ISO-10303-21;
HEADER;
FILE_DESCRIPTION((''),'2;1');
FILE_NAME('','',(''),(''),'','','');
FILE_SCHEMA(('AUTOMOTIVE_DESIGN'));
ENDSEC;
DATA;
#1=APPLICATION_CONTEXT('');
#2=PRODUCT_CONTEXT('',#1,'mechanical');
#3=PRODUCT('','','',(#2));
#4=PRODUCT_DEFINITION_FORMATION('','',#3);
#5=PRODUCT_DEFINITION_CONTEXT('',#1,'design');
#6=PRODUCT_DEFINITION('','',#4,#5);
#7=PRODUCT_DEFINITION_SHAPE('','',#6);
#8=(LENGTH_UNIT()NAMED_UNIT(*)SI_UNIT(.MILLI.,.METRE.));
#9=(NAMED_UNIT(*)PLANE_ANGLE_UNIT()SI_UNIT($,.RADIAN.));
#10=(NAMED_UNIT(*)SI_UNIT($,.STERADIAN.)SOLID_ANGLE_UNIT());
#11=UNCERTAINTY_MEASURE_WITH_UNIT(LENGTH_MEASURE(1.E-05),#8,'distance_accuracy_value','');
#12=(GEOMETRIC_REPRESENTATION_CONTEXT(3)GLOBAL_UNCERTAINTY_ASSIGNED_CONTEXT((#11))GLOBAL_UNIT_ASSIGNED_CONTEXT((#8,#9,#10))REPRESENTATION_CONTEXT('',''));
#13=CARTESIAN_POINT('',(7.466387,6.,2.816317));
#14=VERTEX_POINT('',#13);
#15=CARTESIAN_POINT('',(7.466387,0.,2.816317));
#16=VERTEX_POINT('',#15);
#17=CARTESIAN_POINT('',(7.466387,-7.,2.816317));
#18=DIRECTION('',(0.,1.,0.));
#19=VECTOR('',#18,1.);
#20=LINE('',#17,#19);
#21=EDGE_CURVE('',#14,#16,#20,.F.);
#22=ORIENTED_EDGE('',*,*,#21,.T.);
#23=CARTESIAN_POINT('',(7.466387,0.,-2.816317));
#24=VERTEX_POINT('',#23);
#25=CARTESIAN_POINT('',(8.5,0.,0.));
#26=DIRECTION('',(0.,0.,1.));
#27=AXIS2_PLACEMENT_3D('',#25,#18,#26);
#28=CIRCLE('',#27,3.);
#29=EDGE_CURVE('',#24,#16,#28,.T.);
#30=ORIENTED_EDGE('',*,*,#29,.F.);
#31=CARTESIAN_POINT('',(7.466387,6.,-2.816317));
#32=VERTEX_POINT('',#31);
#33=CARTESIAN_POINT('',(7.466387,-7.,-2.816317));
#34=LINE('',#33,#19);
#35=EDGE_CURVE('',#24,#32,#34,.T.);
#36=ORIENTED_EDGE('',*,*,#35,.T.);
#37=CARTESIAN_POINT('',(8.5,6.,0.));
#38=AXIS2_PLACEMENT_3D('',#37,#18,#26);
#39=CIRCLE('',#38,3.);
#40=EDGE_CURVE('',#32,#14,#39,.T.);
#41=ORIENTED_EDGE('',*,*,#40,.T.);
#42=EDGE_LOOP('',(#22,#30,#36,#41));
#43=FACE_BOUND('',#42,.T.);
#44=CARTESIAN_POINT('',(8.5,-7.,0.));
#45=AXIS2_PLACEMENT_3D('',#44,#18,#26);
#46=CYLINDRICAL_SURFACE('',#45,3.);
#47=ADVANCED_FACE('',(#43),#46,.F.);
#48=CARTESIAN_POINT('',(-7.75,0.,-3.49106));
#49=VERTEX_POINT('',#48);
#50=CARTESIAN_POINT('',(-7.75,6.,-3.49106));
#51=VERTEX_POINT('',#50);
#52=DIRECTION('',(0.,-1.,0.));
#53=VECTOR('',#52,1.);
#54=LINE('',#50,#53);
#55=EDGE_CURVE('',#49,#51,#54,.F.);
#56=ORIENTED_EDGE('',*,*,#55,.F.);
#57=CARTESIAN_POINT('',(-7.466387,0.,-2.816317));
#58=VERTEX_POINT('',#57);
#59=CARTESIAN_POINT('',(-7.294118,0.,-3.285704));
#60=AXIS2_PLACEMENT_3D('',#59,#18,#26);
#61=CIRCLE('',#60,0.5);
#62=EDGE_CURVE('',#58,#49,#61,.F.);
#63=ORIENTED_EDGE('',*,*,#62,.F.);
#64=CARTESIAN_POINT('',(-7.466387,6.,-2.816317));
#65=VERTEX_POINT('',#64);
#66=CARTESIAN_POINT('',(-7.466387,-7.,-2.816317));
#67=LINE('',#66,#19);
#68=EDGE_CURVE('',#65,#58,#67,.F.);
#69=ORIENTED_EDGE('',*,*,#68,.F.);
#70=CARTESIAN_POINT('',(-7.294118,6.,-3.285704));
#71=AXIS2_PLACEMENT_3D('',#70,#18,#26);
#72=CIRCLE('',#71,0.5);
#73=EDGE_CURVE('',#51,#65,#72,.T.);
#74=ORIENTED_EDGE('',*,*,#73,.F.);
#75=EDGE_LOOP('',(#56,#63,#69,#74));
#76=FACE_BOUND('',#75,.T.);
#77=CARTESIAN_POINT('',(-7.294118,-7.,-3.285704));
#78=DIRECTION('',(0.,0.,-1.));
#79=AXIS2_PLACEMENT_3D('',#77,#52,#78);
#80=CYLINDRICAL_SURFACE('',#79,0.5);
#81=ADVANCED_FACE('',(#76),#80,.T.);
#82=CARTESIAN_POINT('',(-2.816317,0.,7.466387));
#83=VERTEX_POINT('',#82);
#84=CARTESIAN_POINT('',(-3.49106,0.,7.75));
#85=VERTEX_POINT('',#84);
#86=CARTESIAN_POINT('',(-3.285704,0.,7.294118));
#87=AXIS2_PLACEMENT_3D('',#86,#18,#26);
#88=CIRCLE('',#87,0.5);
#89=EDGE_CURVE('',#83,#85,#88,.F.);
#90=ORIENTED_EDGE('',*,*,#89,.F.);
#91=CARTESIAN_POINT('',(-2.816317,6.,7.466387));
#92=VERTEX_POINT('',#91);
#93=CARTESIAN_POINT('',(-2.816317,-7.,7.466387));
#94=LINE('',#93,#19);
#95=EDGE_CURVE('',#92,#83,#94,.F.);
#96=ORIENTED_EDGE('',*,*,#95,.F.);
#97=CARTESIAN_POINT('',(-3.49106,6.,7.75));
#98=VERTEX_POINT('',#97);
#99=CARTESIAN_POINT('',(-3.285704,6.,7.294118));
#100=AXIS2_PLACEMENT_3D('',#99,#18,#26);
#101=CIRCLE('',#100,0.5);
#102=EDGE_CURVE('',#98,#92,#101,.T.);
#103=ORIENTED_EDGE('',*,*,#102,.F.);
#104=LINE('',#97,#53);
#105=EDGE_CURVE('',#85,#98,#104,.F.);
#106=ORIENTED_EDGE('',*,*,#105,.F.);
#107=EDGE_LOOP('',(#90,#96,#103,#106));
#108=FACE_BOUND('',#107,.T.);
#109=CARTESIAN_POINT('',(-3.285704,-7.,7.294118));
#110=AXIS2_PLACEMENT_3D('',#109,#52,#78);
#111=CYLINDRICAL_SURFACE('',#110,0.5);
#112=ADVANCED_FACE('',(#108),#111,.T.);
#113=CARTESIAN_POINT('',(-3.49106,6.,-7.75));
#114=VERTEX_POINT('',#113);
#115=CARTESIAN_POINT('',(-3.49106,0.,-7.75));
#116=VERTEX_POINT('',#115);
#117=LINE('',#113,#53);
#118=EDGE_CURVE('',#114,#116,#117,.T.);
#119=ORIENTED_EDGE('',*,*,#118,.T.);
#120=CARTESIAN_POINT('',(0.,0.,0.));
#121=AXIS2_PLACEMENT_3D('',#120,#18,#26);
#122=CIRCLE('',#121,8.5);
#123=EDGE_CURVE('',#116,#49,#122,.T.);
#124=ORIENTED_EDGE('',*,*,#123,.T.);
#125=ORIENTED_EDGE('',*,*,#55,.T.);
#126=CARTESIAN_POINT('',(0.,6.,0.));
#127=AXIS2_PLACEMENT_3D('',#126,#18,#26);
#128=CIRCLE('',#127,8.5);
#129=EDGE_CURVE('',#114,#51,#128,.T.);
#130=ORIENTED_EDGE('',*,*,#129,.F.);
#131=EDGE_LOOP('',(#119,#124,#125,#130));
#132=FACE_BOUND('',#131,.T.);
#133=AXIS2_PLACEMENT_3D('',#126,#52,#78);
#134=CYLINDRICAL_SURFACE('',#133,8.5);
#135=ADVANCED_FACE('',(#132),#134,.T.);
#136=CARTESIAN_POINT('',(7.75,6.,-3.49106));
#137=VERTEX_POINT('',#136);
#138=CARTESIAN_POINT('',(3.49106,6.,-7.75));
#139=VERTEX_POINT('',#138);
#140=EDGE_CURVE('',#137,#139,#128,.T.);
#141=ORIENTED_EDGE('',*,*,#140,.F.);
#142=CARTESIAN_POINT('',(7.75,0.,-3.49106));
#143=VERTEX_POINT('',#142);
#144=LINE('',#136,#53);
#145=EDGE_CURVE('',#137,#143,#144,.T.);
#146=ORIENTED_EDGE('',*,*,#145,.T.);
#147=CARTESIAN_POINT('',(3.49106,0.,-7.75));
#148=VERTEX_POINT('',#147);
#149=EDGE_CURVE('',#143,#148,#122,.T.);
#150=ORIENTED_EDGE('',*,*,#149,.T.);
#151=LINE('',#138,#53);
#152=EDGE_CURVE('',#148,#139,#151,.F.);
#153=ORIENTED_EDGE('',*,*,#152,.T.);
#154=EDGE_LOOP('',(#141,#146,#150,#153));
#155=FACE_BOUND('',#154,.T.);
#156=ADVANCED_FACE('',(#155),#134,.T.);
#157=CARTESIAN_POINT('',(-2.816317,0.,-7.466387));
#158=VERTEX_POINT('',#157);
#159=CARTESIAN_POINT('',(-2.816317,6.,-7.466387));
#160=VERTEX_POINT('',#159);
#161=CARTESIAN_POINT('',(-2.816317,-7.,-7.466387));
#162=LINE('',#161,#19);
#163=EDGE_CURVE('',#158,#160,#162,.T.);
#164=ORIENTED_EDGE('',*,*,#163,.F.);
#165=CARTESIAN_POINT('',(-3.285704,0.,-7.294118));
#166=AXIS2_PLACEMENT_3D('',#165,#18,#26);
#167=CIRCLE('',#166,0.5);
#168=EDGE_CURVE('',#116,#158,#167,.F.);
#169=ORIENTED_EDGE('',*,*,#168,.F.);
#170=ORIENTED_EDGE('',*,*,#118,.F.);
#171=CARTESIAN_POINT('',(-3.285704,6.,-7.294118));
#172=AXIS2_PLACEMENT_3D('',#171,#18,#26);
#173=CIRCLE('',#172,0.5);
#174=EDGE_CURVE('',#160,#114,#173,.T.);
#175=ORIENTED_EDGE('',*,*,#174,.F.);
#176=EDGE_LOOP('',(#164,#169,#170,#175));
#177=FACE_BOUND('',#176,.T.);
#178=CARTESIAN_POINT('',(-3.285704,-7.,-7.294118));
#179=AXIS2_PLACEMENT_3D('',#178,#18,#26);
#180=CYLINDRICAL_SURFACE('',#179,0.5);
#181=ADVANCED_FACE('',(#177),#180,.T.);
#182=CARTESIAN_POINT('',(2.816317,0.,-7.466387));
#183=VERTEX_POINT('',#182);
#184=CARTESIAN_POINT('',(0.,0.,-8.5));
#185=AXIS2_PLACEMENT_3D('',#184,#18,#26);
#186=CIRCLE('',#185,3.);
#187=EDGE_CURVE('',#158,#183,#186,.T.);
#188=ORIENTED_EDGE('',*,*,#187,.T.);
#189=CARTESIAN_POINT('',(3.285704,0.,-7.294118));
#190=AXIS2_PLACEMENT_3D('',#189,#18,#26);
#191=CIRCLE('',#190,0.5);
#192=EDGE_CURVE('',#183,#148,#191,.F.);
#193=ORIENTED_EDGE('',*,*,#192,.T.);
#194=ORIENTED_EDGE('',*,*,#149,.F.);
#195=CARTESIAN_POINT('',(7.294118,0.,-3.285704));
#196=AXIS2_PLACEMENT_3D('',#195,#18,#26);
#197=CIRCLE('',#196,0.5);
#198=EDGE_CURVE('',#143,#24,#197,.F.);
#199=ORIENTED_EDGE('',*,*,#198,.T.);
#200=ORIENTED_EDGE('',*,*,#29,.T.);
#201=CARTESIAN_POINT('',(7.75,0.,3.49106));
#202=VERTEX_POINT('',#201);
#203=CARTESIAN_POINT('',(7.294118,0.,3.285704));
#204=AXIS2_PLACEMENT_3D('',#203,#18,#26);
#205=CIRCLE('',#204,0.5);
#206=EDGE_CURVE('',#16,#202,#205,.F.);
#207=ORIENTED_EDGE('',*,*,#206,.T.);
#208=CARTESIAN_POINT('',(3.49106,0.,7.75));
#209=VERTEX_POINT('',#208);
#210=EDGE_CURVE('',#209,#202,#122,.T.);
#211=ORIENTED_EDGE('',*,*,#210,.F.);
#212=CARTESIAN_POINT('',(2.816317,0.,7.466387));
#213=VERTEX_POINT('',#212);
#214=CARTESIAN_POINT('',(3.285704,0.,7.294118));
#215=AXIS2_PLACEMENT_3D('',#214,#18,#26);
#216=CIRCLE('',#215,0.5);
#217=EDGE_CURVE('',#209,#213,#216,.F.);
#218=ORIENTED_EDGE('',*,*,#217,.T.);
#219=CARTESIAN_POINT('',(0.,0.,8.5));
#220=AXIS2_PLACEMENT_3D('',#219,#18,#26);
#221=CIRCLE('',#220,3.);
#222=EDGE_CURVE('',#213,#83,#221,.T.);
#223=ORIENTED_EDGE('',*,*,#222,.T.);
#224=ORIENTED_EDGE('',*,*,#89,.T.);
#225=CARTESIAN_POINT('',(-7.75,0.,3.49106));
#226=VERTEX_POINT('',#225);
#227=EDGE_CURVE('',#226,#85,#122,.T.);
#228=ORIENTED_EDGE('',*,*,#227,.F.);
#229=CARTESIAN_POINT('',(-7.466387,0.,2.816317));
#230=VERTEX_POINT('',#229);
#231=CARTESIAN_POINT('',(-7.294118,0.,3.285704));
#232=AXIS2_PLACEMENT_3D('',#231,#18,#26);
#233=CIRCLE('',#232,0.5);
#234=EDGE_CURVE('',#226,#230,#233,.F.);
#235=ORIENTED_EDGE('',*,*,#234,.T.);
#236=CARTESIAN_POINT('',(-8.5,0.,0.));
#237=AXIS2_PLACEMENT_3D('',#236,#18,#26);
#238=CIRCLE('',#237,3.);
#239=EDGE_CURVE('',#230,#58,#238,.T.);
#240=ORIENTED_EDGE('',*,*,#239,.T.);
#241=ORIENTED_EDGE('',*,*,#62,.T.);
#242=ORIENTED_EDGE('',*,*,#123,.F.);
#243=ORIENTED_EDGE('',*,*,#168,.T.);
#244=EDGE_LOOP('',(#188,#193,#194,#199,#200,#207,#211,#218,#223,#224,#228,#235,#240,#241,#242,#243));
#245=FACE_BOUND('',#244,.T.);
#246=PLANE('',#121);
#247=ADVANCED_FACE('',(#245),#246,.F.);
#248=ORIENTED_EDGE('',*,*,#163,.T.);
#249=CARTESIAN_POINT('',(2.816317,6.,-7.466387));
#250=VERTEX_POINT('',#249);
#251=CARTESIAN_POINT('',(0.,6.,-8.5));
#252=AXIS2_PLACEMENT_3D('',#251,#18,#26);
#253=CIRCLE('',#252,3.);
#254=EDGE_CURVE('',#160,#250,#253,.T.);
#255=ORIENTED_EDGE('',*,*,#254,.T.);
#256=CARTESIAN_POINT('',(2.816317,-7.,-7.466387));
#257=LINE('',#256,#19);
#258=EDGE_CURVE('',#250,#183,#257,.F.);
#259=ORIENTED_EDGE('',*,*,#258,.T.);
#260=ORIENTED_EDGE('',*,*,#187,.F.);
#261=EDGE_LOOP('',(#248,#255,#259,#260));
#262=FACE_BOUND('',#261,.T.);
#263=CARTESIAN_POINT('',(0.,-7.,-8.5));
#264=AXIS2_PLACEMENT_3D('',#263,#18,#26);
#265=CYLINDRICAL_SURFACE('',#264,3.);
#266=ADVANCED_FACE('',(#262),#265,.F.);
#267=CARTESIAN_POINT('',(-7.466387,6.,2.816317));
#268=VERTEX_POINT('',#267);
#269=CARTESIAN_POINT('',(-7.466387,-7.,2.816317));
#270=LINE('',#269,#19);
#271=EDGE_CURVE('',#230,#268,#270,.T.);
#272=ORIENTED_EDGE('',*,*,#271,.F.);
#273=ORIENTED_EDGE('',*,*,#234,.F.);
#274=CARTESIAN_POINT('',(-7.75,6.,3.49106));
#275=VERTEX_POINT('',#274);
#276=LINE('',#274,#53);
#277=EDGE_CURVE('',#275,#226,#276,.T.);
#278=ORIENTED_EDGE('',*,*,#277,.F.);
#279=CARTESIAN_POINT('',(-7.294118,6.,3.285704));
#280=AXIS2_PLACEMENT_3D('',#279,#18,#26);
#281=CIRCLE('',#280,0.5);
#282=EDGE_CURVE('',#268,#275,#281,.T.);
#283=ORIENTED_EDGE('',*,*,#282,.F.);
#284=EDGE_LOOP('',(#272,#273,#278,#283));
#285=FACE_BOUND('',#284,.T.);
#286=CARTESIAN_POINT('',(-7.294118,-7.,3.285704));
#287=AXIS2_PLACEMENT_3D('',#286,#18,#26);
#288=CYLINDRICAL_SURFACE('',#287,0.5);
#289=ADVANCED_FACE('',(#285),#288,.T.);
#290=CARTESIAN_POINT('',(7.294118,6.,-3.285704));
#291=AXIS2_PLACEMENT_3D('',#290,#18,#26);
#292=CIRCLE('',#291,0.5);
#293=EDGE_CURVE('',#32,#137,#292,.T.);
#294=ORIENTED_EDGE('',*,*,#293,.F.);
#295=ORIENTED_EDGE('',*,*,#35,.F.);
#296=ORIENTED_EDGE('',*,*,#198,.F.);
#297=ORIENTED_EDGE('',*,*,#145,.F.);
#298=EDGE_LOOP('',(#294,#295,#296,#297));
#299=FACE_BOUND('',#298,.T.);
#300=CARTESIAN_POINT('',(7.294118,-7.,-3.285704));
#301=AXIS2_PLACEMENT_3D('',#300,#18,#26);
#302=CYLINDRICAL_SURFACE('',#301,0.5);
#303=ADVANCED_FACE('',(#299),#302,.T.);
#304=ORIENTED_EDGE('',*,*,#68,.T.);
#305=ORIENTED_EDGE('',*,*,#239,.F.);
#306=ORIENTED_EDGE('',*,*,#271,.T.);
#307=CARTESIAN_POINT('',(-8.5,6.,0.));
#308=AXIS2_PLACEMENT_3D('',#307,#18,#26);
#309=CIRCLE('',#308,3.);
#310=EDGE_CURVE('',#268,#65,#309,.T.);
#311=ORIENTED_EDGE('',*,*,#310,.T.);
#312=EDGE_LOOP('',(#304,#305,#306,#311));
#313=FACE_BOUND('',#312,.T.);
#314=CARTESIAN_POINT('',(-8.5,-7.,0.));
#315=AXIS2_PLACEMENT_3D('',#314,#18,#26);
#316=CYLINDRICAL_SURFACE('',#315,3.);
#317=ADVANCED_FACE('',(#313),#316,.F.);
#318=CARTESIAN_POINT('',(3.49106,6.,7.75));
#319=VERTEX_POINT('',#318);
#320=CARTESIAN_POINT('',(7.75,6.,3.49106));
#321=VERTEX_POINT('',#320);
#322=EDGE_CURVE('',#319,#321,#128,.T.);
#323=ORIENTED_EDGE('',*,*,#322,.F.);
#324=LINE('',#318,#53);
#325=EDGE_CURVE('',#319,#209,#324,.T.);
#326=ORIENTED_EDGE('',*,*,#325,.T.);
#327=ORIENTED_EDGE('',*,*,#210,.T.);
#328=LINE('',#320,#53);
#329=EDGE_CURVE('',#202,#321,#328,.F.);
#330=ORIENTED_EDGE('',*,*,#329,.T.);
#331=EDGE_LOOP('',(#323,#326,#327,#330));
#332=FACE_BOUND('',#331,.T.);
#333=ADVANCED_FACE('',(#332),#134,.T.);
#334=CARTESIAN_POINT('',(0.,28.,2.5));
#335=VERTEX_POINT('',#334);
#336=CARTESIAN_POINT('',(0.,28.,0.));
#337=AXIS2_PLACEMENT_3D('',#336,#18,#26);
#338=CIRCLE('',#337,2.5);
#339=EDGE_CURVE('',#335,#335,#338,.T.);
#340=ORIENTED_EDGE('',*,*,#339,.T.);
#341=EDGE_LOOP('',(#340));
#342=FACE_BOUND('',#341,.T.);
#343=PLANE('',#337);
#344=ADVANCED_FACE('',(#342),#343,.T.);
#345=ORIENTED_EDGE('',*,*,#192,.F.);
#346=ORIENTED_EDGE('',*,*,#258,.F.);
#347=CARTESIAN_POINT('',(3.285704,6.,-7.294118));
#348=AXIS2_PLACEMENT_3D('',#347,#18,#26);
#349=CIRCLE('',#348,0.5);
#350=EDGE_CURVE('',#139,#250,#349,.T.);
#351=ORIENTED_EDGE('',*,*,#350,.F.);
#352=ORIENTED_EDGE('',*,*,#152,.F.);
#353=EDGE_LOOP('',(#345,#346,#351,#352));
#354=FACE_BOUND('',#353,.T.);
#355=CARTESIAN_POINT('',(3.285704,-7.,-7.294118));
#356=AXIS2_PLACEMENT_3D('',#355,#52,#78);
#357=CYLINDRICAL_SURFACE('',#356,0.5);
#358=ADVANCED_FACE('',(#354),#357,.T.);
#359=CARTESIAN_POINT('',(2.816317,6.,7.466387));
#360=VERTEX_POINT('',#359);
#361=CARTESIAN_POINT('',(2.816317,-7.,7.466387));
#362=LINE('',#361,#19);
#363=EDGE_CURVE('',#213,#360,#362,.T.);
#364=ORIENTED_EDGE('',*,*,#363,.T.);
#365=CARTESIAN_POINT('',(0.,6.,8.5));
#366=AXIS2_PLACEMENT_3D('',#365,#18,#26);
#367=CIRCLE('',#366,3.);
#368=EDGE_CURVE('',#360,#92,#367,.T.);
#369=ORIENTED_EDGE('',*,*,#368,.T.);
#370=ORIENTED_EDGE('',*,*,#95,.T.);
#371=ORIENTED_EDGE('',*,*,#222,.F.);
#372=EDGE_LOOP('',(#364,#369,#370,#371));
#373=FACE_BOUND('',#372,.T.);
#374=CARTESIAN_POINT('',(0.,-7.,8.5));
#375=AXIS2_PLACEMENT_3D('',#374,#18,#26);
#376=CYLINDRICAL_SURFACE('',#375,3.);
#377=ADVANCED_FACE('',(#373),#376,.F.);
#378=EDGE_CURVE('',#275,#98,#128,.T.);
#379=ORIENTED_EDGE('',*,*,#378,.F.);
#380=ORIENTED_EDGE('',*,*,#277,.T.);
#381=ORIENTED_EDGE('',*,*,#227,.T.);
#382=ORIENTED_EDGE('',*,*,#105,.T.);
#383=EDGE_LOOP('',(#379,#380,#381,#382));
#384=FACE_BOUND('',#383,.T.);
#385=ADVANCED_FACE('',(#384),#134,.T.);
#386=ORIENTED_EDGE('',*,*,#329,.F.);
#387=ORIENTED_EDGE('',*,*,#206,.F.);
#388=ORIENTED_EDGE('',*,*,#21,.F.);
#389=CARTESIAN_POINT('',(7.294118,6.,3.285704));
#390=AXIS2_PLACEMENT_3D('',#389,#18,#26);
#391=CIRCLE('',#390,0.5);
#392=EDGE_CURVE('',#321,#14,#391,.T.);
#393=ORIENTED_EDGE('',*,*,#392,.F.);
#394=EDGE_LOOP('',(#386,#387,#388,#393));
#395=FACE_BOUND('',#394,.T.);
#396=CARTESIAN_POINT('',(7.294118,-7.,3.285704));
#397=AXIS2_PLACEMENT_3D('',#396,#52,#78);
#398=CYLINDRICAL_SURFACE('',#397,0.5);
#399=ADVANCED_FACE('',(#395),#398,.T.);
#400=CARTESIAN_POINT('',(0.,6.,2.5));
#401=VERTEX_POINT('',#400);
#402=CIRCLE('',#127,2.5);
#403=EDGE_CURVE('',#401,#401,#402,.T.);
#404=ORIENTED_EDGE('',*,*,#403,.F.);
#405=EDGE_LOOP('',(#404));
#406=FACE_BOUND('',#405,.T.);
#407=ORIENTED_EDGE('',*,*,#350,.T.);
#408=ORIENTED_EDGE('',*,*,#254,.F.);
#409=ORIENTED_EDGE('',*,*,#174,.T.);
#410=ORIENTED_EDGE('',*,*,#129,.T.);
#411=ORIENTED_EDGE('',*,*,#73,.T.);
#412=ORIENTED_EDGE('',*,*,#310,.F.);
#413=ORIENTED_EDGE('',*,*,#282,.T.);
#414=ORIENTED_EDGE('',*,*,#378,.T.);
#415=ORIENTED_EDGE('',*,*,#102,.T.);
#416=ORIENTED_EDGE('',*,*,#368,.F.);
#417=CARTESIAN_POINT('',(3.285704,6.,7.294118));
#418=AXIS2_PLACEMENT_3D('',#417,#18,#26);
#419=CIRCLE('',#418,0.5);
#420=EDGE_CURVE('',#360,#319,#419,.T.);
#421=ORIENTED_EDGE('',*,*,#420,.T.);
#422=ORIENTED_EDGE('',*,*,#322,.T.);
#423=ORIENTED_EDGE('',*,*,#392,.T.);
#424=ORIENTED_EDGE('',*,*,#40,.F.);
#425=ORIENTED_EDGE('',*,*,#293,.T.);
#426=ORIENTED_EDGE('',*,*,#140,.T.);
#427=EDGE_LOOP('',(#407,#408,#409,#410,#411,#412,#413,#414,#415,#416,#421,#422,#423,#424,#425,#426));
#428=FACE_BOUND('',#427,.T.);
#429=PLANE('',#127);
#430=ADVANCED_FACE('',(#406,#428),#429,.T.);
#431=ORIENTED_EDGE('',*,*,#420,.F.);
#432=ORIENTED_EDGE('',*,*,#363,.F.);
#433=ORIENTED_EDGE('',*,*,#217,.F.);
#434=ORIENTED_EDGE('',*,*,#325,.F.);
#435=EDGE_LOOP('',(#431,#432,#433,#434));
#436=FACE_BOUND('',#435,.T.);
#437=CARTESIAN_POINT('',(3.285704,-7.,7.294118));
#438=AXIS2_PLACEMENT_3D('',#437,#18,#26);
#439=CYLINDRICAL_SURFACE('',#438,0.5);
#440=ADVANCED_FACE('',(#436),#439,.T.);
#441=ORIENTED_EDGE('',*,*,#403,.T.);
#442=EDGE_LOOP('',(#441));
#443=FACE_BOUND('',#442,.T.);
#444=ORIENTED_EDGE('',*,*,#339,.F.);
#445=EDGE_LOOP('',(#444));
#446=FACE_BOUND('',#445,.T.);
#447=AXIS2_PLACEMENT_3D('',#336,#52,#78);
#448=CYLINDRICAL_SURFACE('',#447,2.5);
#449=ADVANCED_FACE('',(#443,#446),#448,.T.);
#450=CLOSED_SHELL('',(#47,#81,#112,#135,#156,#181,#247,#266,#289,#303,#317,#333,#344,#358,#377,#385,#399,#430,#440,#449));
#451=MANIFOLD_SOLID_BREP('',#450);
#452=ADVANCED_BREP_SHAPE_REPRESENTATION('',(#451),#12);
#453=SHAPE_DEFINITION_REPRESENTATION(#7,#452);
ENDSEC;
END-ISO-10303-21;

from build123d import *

# Parameters (mm, degrees)
SKETCH1_R           = 8.5
BOSS_EXTRUDE1_DEPTH = 6
SKETCH2_R           = 2.5
BOSS_EXTRUDE2_DEPTH = 22
SKETCH3_R           = 3
CUT_EXTRUDE1_DEPTH  = 13
FILLET1_R           = 0.5


with BuildPart() as part:
    # Sketch1 → Boss-Extrude1 (new body)
    with BuildSketch(Plane(origin=(0, 0, 0), x_dir=(1, 0, 0), z_dir=(0, 1, 0))):
        with Locations(Location((0, 0, 0), (0, 0, 270))):
            Circle(SKETCH1_R)
    extrude(amount=BOSS_EXTRUDE1_DEPTH)

    # Sketch2 → Boss-Extrude2 (add)
    with BuildSketch(Plane(origin=(0, 6, 0), x_dir=(1, 0, 0), z_dir=(0, 1, 0))):
        with Locations(Location((0, 0, 0), (0, 0, 270))):
            Circle(SKETCH2_R)
    extrude(amount=BOSS_EXTRUDE2_DEPTH)

    # Sketch3 → Cut-Extrude1 (cut)
    with BuildSketch(Plane(origin=(0, 6, 0), x_dir=(1, 0, 0), z_dir=(0, 1, 0))):
        with Locations((-8.5, 0)):
            Circle(SKETCH3_R)
        with Locations((0, 8.5)):
            Circle(SKETCH3_R)
        with Locations((8.5, 0)):
            Circle(SKETCH3_R)
        with Locations((0, -8.5)):
            Circle(SKETCH3_R)
    extrude(amount=-CUT_EXTRUDE1_DEPTH, mode=Mode.SUBTRACT)

    # Fillet1
    fillet1_edges = [part.edges().sort_by_distance(p)[0] for p in [
        (-7.970588235, 3, -2.952917741),
        (-7.970588235, 3, 2.952917741),
        (2.952917741, 3, -7.970588235),
        (-2.952917741, 3, -7.970588235),
        (7.970588235, 3, 2.952917741),
        (7.970588235, 3, -2.952917741),
        (-2.952917741, 3, 7.970588235),
        (2.952917741, 3, 7.970588235),
    ]]
    fillet(fillet1_edges, radius=FILLET1_R)


solid = part.part
